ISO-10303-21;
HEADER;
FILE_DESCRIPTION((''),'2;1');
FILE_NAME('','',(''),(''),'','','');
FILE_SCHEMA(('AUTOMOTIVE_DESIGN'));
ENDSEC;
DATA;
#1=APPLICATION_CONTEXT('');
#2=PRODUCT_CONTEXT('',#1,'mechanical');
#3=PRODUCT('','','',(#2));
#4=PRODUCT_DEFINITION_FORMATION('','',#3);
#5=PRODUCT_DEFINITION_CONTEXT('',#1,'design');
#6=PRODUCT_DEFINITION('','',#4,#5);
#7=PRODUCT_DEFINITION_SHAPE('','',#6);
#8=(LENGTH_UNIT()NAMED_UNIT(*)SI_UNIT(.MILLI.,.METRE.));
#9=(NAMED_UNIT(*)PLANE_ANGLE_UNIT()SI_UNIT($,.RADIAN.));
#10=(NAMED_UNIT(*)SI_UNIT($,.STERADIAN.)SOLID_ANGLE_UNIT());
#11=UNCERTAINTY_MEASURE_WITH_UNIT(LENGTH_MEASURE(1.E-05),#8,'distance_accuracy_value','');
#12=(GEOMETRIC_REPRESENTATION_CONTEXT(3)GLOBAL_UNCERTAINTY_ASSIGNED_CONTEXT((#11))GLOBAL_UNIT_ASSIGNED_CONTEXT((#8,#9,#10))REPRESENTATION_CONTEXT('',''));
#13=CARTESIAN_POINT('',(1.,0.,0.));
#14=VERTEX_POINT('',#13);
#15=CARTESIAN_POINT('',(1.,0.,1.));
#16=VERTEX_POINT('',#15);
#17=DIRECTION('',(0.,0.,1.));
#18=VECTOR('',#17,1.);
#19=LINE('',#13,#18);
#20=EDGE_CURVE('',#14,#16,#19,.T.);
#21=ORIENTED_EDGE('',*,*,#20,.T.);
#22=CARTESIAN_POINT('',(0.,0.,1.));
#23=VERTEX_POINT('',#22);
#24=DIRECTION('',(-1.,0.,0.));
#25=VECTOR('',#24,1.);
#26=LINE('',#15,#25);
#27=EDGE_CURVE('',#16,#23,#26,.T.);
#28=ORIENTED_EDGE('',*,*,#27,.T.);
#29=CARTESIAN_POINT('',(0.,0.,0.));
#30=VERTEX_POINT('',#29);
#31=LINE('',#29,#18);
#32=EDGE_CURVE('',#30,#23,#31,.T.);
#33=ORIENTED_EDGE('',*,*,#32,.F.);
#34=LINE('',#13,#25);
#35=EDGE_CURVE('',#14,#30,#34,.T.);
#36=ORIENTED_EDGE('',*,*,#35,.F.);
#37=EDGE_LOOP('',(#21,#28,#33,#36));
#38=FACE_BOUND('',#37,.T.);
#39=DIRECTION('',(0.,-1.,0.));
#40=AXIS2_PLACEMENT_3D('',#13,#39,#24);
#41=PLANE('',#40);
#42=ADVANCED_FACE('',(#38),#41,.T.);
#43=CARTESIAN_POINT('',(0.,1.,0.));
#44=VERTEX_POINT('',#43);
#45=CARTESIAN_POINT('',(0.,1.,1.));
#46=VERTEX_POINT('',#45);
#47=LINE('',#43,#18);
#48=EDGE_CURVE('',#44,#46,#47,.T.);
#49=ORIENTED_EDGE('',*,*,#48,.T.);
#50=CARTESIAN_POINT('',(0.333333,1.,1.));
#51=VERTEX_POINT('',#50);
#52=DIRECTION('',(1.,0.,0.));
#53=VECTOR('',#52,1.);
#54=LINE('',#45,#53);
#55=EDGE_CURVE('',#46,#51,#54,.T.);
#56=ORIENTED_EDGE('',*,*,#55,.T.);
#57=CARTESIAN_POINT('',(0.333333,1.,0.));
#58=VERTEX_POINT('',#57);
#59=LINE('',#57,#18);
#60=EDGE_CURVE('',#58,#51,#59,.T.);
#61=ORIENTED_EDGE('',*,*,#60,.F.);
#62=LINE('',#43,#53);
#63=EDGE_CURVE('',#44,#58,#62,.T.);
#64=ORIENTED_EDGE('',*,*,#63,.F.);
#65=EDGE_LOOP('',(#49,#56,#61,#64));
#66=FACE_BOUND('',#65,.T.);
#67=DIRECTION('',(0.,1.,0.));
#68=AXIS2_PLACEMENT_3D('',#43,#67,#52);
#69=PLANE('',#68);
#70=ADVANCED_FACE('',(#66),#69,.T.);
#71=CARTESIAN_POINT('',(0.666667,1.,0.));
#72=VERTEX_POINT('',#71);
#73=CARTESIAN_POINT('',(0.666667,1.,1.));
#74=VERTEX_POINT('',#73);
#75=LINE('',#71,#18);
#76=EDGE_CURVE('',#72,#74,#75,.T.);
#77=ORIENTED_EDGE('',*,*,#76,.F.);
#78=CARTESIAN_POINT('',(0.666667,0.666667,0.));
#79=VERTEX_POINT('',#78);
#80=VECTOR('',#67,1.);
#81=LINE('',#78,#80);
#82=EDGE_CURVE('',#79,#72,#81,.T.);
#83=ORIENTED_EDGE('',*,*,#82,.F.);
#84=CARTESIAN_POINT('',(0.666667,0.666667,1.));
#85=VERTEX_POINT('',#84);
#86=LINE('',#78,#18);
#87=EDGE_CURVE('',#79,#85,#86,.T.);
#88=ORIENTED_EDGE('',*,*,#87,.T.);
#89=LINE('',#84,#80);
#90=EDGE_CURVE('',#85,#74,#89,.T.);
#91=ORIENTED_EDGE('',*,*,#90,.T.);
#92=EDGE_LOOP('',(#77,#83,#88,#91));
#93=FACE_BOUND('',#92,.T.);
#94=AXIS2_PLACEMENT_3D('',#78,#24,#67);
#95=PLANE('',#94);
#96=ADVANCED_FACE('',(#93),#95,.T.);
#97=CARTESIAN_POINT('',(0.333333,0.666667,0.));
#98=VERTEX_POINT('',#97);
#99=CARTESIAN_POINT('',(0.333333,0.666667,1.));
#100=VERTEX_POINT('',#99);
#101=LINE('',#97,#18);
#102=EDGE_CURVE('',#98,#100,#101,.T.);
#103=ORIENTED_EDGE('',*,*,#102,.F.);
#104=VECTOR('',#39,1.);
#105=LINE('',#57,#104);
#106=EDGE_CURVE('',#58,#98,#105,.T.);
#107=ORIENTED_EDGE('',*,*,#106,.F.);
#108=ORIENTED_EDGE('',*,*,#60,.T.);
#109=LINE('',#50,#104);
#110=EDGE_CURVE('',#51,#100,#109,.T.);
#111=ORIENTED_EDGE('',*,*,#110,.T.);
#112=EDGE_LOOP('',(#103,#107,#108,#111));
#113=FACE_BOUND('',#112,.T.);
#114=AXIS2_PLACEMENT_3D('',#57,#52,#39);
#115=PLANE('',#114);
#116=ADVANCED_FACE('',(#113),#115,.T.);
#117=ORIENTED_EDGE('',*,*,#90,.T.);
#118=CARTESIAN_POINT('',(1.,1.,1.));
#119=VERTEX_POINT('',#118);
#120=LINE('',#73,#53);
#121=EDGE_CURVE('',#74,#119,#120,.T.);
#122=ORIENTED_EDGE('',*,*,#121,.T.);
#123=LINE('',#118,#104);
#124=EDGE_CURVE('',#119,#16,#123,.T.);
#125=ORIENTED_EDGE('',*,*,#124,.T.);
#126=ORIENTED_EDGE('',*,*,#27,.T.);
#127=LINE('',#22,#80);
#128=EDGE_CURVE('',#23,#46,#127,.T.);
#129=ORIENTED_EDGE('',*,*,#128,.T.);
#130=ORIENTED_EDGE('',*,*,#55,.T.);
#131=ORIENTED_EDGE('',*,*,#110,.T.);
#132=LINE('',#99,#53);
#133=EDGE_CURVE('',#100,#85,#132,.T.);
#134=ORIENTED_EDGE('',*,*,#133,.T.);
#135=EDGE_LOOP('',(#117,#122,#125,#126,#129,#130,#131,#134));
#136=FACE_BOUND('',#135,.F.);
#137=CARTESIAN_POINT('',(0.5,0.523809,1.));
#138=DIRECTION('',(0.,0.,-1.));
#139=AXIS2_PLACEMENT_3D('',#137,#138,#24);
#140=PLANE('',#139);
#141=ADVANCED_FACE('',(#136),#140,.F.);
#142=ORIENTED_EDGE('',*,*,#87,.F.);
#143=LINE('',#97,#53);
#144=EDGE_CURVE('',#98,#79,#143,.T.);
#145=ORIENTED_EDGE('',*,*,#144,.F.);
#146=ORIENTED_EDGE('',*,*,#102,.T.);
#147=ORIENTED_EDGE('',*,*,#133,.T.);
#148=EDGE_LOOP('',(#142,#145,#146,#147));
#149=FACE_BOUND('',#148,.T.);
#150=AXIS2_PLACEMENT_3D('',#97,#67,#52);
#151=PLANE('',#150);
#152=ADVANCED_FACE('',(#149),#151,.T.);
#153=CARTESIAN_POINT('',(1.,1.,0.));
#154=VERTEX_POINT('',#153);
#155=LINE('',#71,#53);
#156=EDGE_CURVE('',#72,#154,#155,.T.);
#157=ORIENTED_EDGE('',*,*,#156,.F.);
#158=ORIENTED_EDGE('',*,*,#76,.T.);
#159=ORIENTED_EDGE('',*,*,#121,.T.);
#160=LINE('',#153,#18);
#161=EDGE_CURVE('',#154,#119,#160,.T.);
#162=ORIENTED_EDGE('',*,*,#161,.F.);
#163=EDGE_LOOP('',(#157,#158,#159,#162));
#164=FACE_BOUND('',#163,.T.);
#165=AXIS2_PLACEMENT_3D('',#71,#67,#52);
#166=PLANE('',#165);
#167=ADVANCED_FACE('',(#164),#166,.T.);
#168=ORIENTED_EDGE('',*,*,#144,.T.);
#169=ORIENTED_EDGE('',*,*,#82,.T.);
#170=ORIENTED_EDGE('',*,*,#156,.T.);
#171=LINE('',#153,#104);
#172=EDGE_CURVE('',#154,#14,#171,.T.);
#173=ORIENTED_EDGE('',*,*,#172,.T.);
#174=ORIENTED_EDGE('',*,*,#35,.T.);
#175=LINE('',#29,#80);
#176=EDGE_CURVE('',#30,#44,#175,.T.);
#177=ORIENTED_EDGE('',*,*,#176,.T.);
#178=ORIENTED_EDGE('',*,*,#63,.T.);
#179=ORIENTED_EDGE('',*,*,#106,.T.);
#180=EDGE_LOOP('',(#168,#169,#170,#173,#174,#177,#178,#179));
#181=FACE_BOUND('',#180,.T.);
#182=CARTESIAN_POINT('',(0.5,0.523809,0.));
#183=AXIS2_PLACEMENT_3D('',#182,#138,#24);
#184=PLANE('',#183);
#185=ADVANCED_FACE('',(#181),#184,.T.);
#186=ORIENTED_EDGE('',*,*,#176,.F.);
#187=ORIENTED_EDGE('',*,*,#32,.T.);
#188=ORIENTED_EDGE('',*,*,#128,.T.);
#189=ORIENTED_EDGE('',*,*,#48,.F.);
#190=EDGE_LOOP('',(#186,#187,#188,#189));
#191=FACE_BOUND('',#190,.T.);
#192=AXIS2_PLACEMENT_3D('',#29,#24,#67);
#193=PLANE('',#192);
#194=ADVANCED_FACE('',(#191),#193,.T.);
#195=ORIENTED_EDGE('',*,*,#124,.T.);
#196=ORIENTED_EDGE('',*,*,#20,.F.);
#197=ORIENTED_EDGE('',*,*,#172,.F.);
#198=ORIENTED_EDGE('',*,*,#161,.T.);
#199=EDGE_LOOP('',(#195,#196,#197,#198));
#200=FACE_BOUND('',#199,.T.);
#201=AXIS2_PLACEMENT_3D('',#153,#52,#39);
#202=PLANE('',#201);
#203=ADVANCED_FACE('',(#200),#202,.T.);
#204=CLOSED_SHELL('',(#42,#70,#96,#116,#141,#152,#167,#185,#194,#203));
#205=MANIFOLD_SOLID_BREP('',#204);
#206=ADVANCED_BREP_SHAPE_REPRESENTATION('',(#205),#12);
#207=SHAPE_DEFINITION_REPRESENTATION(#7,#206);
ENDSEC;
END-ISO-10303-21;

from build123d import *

# Parameters (mm, degrees)
PAD_DEPTH = 1


with BuildPart() as part:
    # Sketch → Pad (new body)
    with BuildSketch(Plane.XY):
        Polygon((0, 1), (0.333333, 1), (0.333333, 0.666667), (0.666667, 0.666667), (0.666667, 1), (1, 1), (1, 0), (0, 0), align=None)
    extrude(amount=PAD_DEPTH)


solid = part.part
